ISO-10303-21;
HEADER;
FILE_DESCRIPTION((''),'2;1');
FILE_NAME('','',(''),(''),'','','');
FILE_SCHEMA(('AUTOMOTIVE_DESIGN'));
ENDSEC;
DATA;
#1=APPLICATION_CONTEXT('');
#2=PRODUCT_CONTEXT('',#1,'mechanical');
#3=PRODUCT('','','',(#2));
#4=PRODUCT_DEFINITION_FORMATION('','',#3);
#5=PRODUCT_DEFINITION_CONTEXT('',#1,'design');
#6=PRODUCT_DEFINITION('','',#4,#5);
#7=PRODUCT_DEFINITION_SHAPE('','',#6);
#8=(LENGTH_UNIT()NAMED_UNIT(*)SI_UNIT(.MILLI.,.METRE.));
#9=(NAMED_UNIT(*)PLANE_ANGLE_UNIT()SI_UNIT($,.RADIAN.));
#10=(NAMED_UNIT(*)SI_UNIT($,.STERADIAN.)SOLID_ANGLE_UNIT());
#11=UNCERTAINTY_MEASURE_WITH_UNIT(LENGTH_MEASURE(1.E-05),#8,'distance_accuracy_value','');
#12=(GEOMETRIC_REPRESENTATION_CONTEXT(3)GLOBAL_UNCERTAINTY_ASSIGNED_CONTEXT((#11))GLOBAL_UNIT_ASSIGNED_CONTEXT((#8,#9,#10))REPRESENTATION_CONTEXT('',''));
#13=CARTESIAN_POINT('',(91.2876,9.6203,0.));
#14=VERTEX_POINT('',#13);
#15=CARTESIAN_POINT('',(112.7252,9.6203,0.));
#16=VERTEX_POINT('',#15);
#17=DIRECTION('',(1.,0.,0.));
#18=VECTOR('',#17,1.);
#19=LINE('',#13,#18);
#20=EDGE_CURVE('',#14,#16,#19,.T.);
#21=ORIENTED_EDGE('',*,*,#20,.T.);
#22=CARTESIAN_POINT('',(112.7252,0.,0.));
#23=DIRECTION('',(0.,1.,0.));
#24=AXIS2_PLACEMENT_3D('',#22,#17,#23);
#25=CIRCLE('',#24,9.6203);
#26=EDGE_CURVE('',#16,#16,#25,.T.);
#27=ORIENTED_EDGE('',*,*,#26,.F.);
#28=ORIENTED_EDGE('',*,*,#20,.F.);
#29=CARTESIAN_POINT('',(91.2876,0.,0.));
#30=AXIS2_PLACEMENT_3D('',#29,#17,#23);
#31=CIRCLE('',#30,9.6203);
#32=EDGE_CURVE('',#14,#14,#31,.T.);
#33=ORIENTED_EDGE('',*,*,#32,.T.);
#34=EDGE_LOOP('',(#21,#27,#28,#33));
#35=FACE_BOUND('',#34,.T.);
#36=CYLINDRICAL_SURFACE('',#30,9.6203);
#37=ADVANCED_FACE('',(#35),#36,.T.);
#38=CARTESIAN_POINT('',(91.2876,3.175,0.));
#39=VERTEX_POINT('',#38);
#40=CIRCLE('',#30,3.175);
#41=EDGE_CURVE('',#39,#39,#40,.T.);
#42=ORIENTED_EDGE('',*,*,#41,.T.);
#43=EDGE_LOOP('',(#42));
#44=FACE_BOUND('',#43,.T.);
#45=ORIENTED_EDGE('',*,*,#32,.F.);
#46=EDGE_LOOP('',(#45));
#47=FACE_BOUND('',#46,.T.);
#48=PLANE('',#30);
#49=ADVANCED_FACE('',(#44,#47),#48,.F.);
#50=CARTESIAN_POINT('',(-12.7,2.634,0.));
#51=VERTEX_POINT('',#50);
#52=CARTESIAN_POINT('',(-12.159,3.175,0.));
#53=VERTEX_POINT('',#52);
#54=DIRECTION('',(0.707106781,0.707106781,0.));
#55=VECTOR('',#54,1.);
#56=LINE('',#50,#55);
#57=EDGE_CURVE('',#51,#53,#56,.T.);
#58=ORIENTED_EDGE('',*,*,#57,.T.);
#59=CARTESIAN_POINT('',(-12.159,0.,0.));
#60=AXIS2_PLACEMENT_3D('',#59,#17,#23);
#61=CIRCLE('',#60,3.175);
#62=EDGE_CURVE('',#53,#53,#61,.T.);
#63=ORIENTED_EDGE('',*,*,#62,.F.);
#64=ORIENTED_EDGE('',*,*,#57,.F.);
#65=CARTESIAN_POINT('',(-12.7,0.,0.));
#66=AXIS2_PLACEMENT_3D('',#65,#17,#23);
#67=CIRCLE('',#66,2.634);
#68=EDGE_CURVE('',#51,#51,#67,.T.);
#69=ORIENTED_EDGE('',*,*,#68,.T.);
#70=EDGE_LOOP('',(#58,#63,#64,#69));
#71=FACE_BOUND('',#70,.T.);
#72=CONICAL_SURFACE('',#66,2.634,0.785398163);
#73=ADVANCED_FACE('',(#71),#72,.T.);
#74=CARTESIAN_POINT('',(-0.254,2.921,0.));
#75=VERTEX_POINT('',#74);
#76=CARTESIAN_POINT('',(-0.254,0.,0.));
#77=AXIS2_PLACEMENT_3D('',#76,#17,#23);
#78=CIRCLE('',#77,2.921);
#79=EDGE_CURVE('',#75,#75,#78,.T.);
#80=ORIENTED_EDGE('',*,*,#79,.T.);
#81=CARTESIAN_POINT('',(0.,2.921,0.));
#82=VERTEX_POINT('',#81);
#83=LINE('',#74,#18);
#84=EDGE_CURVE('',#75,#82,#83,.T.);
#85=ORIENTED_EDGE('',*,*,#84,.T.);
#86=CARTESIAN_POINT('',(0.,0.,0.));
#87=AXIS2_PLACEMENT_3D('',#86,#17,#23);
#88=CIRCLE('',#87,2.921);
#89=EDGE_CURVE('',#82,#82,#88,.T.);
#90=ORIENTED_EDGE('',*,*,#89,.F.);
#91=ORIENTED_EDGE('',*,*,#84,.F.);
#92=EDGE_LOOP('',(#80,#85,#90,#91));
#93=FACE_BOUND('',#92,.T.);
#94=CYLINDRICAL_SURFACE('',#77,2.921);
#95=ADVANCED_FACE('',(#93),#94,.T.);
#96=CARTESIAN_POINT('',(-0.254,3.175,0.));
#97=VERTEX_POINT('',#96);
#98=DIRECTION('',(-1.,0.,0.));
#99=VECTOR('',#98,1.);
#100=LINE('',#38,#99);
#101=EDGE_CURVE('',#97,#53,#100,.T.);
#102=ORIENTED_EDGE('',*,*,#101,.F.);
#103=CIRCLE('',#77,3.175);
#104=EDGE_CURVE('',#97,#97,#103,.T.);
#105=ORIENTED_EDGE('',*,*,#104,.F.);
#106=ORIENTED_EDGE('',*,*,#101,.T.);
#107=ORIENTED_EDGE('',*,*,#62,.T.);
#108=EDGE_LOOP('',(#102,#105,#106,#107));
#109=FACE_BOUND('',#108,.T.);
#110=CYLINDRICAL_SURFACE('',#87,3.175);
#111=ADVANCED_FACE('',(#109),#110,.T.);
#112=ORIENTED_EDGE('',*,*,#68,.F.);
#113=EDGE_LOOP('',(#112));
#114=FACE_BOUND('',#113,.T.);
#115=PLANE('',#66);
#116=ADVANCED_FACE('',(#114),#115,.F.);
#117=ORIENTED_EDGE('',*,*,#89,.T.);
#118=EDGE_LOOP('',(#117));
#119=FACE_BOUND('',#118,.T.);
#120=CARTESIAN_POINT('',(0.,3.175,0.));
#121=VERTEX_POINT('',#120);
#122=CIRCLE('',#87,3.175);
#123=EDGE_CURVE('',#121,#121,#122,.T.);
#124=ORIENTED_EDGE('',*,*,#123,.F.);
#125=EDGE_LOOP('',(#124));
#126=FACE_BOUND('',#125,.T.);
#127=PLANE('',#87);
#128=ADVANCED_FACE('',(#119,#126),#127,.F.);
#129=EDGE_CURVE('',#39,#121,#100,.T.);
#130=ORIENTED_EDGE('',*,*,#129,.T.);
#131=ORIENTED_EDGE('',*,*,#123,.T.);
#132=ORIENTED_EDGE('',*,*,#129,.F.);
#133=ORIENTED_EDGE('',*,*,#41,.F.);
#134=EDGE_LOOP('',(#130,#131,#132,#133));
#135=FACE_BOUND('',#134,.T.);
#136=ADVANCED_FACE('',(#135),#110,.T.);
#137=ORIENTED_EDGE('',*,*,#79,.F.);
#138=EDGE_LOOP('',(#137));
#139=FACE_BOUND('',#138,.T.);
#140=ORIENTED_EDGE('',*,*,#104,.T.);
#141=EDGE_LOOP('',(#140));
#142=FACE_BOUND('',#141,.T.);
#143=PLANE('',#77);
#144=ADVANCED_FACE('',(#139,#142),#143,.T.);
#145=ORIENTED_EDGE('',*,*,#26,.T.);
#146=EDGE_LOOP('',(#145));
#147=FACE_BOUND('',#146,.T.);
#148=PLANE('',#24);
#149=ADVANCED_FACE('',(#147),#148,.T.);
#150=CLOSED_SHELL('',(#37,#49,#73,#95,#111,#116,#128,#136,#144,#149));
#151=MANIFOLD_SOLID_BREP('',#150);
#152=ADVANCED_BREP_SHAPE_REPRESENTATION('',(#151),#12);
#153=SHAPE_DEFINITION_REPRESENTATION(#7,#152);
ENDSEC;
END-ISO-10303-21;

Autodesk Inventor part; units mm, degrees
sketch "Sketch_1" plane through (0, 0, 0) normal (0, 0, 1) x (1, 0, 0)
  line L0 (112.7252, 0) -> (0, 0)
  line L1 (0, 0) -> (0, 3.175)
  line L2 (0, 3.175) -> (91.2876, 3.175)
  line L3 (91.2876, 3.175) -> (91.2876, 9.6203)
  line L4 (91.2876, 9.6203) -> (112.7252, 9.6203)
  line L5 (112.7252, 9.6203) -> (112.7252, 0)
  line L6 (112.7252, 0) -> (0, 0)
revolve "Revolution1" add sketch "Sketch_1" angle 360 about axis through (112.7252, 0, 0) along (1, 0, 0)
sketch "Sketch_3" plane through (0, 0, 0) normal (0, 0, 1) x (1, 0, 0)
  line L0 (0, 0) -> (-12.7, 0)
  line L1 (-12.7, 0) -> (-12.7, 2.634)
  line L2 (-12.7, 2.634) -> (-12.159, 3.175)
  line L3 (-12.159, 3.175) -> (0, 3.175)
  line L4 (0, 3.175) -> (0, 0)
  line L5 (0, 0) -> (-12.7, 0)
revolve "Revolution2" add sketch "Sketch_3" angle 360 about axis through (0, 0, 0) along (1, 0, 0)
thread "Thread1" size "1/4-28 UNF" class "2A" standard "ANSI Unified Screw Threads" length 12.159
sketch "Sketch_30" plane through (0, 0, 0) normal (0, 0, 1) x (1, 0, 0)
  line L0 (0, 0) -> (-0.254, 0)
  line L1 (-0.254, 2.921) -> (0, 2.921)
  line L2 (0, 2.921) -> (0, 3.429)
  line L3 (0, 3.429) -> (-0.254, 3.429)
  line L4 (-0.254, 3.429) -> (-0.254, 2.921)
revolve "Revolution3" cut sketch "Sketch_30" angle 360 about axis through (0, 0, 0) along (1, 0, 0)
ref_plane "dia1_XY" through (0, 3.175, 0) normal (1, 0, 0) x (0, 0, -1)
ref_plane "dia1_YZ" through (0, 3.175, 0) normal (0, 0, -1) x (0, 1, 0)
ref_plane "dia1_ZX" through (0, 3.175, 0) normal (0, 1, 0) x (1, 0, 0)
ref_plane "dia12_XY" through (0, 0, 10.9537) normal (1, 0, 0) x (0, 0, -1)
ref_plane "dia12_YZ" through (0, 0, 10.9537) normal (0, 0, -1) x (0, 1, 0)
ref_plane "dia12_ZX" through (0, 0, 10.9537) normal (0, 1, 0) x (1, 0, 0)
ref_plane "dia2_XY" through (0, -3.175, 0) normal (1, 0, 0) x (0, 0, -1)
ref_plane "dia2_YZ" through (0, -3.175, 0) normal (0, 0, -1) x (0, 1, 0)
ref_plane "dia2_ZX" through (0, -3.175, 0) normal (0, 1, 0) x (1, 0, 0)
ref_plane "dia22_XY" through (0, 0, -10.9537) normal (1, 0, 0) x (0, 0, -1)
ref_plane "dia22_YZ" through (0, 0, -10.9537) normal (0, 0, -1) x (0, 1, 0)
ref_plane "dia22_ZX" through (0, 0, -10.9537) normal (0, 1, 0) x (1, 0, 0)
ref_plane "rl1_XY" through (-12.7, 0, 0) normal (1, 0, 0) x (0, 0, -1)
ref_plane "rl1_YZ" through (-12.7, 0, 0) normal (0, 0, -1) x (0, 1, 0)
ref_plane "rl1_ZX" through (-12.7, 0, 0) normal (0, 1, 0) x (1, 0, 0)
ref_plane "rl2_XY" through (0, 0, 0) normal (1, 0, 0) x (0, 0, -1)
ref_plane "rl2_YZ" through (0, 0, 0) normal (0, 0, -1) x (0, 1, 0)
ref_plane "rl2_ZX" through (0, 0, 0) normal (0, 1, 0) x (1, 0, 0)
ref_plane "rod_cp_XY" through (0, 0, 0) normal (1, 0, 0) x (0, 0, -1)
ref_plane "rod_cp_YZ" through (0, 0, 0) normal (0, 0, -1) x (0, 1, 0)
ref_plane "rod_cp_ZX" through (0, 0, 0) normal (0, 1, 0) x (1, 0, 0)
ref_plane "thd1_XY" through (-12.7, 3.175, 0) normal (1, 0, 0) x (0, 0, -1)
ref_plane "thd1_YZ" through (-12.7, 3.175, 0) normal (0, 0, -1) x (0, 1, 0)
ref_plane "thd1_ZX" through (-12.7, 3.175, 0) normal (0, 1, 0) x (1, 0, 0)
ref_plane "thd2_XY" through (-12.7, -3.175, 0) normal (1, 0, 0) x (0, 0, -1)
ref_plane "thd2_YZ" through (-12.7, -3.175, 0) normal (0, 0, -1) x (0, 1, 0)
ref_plane "thd2_ZX" through (-12.7, -3.175, 0) normal (0, 1, 0) x (1, 0, 0)
ref_plane "to_rod_clevis_XY" through (-16.764, 0, 0) normal (1, 0, 0) x (0, 0, -1)
ref_plane "to_rod_clevis_YZ" through (-16.764, 0, 0) normal (0, 0, -1) x (0, 1, 0)
ref_plane "to_rod_clevis_ZX" through (-16.764, 0, 0) normal (0, 1, 0) x (1, 0, 0)
properties part number "C-042-DP000_rod" material "Steel"
